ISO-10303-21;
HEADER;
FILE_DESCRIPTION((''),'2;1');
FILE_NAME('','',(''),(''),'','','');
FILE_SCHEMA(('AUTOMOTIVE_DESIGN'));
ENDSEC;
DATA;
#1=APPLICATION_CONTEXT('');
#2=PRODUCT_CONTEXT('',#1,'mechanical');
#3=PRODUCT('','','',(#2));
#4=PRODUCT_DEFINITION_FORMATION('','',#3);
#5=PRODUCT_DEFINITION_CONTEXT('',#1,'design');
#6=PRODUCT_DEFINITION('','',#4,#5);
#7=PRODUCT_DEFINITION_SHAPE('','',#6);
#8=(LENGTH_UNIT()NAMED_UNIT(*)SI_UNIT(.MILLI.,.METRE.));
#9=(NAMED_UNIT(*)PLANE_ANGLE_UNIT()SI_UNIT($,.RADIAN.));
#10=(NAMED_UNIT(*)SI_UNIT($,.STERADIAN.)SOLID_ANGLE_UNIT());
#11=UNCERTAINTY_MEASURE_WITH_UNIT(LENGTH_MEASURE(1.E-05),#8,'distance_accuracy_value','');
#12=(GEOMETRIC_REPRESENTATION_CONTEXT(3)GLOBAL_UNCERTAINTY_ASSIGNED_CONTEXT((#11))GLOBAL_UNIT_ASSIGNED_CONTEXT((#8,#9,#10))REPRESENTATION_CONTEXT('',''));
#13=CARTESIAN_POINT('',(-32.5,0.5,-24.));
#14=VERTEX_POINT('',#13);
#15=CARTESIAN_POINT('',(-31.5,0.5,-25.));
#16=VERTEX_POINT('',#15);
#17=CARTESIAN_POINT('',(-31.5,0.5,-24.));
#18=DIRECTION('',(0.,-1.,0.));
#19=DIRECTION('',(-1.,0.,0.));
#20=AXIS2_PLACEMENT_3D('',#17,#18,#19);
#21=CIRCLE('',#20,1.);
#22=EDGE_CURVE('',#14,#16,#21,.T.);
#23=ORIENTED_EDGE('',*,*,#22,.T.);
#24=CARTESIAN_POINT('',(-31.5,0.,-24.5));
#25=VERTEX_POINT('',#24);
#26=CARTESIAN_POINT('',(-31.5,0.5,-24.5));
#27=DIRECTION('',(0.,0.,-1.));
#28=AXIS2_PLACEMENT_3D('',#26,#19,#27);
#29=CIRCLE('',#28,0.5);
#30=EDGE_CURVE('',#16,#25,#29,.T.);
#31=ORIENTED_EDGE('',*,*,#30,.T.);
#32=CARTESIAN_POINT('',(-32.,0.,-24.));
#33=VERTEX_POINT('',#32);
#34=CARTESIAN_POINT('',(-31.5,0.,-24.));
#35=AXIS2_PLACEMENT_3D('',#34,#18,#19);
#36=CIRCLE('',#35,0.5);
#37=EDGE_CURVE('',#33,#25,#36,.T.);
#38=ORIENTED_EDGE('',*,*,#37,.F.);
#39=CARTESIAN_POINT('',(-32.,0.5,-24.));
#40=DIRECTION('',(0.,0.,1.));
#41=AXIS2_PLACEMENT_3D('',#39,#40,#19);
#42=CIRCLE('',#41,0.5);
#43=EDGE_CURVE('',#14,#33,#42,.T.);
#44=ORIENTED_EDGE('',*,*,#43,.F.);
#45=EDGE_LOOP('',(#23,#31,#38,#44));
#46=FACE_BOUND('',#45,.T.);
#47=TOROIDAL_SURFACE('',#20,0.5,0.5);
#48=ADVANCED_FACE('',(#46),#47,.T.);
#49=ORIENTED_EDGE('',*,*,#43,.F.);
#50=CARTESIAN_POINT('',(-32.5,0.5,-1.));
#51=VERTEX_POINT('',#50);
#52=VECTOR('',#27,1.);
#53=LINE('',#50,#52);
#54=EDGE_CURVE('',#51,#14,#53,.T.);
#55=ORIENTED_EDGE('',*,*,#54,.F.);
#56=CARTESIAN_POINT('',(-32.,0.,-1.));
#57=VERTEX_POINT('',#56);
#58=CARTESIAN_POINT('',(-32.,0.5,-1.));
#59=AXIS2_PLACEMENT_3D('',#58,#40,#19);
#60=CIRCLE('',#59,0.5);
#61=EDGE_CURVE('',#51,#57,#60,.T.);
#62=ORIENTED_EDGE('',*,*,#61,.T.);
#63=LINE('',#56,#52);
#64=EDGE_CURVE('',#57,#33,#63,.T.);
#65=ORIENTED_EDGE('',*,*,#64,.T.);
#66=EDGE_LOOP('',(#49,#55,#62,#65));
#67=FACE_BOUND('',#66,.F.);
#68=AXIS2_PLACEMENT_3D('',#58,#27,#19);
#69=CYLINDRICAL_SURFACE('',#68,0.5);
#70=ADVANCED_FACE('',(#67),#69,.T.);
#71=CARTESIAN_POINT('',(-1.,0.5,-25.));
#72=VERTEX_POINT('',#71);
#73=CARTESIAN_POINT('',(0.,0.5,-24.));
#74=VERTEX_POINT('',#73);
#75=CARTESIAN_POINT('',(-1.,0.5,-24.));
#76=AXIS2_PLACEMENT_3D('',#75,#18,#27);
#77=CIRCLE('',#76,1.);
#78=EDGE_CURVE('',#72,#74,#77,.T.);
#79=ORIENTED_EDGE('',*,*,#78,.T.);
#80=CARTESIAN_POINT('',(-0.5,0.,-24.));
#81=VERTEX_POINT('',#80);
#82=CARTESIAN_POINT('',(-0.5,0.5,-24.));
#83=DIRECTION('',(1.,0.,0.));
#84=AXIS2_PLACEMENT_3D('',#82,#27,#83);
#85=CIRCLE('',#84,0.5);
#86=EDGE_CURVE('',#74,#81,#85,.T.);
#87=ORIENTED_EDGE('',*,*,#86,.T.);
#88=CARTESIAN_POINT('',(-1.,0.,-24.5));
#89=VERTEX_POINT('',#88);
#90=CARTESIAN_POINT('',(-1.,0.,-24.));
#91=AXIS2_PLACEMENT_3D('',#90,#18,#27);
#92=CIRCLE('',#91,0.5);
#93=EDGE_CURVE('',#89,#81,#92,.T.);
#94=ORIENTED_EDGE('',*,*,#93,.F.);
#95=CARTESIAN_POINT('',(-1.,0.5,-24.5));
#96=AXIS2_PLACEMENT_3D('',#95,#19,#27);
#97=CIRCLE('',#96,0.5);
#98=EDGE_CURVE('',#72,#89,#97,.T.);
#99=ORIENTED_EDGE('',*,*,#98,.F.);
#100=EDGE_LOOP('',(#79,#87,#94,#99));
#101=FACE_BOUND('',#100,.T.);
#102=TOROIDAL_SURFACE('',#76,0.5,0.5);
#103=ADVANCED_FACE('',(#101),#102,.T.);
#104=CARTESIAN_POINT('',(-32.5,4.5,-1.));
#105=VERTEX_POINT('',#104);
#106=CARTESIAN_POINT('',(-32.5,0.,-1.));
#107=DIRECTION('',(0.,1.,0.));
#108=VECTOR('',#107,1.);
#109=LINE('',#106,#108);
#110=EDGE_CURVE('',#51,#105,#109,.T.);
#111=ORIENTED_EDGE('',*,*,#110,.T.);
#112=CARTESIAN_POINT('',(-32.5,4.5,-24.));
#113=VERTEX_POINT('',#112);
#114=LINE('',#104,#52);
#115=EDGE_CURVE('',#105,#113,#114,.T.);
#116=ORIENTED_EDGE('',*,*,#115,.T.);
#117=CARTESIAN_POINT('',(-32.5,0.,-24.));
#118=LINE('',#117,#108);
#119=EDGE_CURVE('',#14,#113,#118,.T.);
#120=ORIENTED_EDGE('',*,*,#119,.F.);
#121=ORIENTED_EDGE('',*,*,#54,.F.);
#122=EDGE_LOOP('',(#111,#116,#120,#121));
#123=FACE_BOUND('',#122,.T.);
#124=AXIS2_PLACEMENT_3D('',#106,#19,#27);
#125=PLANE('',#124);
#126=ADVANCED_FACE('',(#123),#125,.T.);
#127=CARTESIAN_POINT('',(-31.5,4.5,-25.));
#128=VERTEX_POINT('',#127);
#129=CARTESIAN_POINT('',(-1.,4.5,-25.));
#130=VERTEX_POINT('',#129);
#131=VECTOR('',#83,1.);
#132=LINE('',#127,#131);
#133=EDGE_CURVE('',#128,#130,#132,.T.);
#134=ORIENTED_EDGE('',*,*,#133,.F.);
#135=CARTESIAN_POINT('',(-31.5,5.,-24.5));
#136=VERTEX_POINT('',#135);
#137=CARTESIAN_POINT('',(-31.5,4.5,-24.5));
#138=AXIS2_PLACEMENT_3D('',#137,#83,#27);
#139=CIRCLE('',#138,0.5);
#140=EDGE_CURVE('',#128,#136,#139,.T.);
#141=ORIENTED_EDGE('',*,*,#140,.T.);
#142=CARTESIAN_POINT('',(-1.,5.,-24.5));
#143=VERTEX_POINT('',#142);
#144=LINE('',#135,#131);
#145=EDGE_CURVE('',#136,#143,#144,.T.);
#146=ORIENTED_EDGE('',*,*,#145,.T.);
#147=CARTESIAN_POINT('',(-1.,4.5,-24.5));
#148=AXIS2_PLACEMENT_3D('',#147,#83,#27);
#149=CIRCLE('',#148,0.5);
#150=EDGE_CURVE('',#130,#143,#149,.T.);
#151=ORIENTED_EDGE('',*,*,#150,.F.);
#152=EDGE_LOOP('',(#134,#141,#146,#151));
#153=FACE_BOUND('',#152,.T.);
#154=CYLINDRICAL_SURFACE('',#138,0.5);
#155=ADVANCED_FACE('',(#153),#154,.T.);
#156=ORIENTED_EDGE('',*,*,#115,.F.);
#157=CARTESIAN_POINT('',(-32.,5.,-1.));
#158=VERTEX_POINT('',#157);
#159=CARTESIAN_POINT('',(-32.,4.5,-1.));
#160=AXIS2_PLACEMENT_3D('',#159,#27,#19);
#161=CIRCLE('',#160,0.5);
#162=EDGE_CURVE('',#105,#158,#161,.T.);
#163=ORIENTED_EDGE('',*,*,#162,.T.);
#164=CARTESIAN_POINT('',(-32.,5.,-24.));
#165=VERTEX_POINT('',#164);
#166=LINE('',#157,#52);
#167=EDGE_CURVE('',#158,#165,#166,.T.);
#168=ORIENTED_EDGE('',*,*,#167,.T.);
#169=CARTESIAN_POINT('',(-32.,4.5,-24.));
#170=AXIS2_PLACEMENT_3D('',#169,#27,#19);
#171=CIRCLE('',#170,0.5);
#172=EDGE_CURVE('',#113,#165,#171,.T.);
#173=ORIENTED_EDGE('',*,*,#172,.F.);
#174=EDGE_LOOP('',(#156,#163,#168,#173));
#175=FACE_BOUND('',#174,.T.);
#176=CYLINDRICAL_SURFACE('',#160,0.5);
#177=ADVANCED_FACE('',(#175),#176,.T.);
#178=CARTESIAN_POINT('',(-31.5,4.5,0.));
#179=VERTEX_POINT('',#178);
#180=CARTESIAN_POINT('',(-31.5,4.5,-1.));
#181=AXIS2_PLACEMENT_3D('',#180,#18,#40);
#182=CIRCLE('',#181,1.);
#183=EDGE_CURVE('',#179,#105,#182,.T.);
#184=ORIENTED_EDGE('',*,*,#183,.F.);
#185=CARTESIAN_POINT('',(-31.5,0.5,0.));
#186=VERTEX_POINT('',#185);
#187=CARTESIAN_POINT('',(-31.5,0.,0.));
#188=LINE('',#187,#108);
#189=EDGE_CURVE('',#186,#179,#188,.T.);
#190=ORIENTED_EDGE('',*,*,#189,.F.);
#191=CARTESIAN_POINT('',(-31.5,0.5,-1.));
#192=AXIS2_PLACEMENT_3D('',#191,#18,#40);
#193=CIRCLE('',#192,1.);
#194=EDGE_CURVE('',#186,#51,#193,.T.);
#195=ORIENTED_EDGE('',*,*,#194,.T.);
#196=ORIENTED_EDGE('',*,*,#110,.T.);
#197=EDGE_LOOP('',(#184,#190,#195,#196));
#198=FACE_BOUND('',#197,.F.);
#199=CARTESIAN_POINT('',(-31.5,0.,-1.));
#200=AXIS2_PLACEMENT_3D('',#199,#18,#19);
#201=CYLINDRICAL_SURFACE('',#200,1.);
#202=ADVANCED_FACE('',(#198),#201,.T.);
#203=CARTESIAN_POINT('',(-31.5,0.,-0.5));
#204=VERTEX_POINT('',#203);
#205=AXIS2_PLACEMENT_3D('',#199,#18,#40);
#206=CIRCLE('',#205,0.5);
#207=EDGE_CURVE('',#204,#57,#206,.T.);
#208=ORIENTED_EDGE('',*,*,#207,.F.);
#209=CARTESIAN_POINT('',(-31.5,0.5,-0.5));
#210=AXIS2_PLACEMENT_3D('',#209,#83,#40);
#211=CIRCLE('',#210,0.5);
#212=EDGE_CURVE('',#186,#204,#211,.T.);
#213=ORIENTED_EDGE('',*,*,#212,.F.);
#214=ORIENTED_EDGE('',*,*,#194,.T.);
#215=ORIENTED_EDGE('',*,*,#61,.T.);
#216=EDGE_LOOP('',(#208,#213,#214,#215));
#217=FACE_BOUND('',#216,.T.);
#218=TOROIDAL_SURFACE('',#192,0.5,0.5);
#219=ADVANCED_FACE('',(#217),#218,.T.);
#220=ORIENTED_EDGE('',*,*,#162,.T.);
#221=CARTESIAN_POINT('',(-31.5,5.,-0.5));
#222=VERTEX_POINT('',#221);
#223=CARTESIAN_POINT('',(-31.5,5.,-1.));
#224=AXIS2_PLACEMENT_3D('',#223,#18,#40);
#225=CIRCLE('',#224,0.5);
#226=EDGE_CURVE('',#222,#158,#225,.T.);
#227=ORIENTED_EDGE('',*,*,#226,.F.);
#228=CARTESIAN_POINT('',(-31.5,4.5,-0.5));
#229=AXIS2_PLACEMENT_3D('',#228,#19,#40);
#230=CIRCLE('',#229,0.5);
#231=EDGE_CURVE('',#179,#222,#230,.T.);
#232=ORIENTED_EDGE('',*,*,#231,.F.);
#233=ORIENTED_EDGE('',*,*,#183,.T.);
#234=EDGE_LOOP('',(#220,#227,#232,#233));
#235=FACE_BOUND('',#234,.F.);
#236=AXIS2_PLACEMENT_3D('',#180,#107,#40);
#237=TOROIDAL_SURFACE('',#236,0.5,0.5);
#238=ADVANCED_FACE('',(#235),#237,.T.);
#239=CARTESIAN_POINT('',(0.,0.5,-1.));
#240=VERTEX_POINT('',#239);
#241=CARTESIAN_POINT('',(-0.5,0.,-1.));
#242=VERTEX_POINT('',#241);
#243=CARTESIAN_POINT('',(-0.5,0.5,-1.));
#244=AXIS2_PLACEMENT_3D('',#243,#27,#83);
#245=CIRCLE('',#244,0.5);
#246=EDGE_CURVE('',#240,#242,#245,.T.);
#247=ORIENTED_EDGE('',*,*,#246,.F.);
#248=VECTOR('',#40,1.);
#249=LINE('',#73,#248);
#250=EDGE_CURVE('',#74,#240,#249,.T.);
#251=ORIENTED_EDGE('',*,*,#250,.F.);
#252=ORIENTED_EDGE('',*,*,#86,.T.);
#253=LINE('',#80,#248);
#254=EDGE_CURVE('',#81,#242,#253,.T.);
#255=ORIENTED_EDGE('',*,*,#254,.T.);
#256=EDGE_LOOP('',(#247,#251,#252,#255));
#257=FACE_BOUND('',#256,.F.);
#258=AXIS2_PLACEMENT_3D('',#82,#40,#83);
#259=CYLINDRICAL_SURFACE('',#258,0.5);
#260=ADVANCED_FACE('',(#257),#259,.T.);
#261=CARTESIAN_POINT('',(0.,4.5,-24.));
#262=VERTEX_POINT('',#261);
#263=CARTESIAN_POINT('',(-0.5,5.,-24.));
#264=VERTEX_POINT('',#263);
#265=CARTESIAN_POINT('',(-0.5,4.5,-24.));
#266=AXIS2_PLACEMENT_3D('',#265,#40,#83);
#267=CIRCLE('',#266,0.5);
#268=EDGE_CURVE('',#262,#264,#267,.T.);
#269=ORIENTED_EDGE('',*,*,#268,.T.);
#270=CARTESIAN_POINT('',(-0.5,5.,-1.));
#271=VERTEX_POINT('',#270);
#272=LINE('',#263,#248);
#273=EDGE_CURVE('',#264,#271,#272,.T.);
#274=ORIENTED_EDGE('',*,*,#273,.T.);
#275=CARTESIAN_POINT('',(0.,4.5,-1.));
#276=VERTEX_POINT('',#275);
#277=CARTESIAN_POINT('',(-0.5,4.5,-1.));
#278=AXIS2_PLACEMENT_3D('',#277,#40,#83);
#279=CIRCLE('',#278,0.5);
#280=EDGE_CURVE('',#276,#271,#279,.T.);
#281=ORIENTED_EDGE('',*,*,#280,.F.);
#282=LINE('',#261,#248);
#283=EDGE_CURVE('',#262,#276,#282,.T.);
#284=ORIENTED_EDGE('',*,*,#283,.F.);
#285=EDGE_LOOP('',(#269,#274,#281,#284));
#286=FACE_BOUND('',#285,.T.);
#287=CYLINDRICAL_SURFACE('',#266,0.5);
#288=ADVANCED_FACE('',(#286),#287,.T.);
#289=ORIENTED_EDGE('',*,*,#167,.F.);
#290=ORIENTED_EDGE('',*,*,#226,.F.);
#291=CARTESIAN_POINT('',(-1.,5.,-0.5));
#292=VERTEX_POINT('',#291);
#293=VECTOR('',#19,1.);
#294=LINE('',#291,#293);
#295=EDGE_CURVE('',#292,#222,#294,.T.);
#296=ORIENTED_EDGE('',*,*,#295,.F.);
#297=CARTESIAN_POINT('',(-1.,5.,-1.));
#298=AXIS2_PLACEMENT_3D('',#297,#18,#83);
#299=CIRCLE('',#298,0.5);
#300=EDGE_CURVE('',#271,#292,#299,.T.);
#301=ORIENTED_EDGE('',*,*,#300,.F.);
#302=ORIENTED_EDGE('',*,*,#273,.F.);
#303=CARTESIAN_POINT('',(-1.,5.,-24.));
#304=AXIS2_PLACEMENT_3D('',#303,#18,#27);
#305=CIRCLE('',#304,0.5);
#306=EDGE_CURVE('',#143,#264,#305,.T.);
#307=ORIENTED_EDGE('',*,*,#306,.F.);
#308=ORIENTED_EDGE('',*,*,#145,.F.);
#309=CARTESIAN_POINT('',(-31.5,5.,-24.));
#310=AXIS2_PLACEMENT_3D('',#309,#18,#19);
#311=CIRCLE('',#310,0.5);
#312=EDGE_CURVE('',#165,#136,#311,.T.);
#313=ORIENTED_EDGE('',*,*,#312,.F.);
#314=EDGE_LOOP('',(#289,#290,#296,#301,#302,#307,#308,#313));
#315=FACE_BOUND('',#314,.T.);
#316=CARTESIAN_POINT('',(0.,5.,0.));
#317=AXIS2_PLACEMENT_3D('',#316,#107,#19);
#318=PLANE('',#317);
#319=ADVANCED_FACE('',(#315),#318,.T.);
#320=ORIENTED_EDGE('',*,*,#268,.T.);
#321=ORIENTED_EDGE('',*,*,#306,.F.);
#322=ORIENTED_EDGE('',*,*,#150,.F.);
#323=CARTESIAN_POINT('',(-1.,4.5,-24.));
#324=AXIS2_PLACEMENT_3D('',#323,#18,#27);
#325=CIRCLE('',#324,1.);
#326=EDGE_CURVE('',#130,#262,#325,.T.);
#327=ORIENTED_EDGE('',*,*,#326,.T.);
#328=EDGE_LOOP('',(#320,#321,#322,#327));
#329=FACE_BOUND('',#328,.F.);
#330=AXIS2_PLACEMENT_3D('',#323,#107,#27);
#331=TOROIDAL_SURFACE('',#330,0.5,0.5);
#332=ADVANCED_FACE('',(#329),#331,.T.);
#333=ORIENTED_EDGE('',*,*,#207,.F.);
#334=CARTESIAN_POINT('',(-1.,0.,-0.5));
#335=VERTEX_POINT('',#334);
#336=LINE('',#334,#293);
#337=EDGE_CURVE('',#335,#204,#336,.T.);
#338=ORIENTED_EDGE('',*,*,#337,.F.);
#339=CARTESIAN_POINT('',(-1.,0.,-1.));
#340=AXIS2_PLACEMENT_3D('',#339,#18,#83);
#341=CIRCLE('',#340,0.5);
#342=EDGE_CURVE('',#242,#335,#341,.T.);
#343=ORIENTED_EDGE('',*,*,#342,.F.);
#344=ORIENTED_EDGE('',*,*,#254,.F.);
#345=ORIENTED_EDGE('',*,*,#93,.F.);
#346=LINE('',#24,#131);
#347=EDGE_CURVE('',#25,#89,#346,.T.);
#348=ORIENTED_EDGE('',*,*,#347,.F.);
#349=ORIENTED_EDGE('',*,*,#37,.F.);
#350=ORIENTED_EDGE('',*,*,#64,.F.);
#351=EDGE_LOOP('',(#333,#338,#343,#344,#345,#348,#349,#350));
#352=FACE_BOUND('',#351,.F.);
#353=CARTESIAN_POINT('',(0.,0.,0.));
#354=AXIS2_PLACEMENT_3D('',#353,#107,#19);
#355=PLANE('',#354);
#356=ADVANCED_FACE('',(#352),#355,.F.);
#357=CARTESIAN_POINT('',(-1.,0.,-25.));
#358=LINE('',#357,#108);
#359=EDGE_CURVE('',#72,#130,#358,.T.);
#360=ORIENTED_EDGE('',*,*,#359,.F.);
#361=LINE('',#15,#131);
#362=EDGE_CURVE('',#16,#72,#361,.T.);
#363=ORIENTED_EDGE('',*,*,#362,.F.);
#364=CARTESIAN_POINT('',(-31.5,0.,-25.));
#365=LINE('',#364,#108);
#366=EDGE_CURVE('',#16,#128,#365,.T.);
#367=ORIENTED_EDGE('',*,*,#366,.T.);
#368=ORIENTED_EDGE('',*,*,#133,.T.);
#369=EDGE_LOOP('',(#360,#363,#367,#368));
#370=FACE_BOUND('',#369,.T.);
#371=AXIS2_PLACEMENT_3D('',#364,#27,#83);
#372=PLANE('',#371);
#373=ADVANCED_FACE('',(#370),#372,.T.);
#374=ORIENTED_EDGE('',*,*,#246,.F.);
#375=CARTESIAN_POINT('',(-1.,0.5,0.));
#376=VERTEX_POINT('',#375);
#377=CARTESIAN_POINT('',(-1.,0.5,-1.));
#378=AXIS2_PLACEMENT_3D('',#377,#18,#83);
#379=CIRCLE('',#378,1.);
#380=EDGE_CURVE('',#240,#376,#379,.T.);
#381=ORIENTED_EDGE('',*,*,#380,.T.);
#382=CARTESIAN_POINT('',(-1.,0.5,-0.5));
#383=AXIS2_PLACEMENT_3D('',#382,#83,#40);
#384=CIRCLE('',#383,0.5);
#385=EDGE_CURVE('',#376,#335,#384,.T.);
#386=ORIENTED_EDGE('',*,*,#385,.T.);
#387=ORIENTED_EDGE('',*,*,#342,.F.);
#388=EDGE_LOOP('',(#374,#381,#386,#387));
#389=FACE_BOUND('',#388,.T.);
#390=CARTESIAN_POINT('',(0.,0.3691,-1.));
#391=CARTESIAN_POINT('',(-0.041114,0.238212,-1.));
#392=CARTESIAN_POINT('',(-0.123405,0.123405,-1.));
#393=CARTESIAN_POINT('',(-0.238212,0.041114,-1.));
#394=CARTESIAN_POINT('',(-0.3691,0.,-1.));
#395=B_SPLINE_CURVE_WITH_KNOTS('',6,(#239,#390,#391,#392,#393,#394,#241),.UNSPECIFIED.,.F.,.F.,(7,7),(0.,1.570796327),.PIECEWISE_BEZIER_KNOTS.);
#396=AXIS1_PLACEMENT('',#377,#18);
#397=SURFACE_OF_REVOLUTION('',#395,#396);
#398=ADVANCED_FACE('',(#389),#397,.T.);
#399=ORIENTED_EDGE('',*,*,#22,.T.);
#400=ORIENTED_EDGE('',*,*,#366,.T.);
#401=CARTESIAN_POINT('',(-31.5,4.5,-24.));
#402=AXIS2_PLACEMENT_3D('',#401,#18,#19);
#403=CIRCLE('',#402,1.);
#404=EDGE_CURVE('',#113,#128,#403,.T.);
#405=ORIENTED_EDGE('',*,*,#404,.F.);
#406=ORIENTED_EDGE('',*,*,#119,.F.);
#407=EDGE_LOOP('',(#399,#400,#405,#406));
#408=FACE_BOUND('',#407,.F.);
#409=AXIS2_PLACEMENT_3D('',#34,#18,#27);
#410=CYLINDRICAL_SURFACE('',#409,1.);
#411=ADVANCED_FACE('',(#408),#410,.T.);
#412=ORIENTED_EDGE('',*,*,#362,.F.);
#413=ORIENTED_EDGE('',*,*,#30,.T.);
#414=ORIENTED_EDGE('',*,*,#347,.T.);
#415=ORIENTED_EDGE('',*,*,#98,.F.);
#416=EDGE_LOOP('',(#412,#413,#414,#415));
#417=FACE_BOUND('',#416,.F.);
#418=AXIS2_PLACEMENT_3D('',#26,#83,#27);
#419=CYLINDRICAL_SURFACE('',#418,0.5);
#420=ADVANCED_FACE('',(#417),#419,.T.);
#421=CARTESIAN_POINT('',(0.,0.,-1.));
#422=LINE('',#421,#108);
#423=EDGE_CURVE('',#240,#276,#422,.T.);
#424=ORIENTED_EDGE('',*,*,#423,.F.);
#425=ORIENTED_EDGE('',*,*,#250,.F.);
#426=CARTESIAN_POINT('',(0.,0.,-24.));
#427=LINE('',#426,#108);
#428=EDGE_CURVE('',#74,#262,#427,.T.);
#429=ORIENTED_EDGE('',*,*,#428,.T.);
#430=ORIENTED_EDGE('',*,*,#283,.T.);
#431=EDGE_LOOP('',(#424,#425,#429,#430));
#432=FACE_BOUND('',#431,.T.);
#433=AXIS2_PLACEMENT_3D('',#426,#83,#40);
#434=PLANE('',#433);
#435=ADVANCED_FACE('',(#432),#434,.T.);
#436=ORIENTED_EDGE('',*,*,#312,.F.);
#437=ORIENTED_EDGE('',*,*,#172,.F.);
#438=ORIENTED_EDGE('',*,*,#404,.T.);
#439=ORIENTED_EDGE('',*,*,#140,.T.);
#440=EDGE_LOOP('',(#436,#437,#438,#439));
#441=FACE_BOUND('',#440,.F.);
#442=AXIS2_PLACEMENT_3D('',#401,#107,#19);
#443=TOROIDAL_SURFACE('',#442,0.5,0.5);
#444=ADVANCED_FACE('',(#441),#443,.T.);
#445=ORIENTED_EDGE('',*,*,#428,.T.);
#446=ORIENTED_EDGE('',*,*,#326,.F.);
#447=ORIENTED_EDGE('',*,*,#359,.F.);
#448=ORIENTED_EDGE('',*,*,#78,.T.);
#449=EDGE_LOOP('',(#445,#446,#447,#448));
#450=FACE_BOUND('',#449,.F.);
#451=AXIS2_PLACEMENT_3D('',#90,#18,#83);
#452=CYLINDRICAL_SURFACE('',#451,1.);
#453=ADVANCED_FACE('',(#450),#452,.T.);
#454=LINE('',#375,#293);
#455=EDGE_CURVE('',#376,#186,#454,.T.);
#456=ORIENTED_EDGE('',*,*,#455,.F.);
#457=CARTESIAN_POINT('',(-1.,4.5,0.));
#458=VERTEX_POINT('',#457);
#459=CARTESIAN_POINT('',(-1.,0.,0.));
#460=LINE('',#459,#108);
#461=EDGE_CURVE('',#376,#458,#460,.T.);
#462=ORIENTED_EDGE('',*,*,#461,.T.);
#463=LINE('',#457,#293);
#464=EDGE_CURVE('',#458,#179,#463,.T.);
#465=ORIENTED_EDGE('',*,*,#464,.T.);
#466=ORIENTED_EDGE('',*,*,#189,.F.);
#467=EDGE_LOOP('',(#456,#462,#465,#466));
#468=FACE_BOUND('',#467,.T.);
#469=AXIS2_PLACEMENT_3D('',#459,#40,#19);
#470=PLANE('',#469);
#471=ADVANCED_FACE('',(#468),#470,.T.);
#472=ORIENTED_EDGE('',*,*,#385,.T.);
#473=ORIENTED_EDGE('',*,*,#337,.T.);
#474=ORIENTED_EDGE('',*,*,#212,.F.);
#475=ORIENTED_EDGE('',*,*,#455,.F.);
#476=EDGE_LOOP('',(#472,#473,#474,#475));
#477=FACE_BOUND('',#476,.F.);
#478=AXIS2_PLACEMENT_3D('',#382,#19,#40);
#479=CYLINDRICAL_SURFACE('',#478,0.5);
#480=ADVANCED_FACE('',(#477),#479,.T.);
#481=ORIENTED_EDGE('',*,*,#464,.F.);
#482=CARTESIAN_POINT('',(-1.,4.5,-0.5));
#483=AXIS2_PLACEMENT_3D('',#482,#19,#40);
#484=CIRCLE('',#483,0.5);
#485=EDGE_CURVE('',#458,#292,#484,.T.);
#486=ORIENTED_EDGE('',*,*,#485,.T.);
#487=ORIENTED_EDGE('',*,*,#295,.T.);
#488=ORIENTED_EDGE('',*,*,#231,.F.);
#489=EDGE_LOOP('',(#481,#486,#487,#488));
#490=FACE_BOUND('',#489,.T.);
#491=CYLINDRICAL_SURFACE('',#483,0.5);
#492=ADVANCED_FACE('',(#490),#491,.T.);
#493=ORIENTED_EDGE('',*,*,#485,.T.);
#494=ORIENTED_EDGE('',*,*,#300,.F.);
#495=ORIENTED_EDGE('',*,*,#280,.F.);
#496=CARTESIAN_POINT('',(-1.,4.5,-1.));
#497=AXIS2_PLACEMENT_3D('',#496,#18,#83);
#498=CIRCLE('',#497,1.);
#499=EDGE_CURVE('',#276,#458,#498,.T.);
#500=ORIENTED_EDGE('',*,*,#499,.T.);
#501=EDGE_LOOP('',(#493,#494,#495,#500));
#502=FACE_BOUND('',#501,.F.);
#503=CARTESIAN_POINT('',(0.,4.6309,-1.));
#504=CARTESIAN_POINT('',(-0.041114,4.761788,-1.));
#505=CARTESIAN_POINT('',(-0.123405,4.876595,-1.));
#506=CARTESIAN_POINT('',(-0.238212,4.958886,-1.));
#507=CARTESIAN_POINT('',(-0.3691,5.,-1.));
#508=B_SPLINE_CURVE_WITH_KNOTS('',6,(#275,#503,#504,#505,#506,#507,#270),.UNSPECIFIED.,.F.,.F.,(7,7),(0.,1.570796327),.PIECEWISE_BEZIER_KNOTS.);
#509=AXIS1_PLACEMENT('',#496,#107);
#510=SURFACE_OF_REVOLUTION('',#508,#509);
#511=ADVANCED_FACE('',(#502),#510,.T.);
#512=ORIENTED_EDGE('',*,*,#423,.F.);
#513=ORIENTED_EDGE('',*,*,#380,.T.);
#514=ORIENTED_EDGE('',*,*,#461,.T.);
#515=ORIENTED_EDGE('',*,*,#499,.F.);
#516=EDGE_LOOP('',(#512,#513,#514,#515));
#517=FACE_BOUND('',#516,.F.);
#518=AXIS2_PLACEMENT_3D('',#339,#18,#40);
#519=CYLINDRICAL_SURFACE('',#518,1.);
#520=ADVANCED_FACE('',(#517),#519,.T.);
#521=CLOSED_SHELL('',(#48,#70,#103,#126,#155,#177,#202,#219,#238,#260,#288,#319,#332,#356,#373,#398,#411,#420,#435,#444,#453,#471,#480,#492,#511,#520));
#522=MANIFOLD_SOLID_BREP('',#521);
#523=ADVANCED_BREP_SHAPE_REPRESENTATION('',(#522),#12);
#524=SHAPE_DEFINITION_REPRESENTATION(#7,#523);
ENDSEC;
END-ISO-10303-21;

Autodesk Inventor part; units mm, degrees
ref_plane "YZ Plane" through (0, 0, 0) normal (1, 0, 0) x (0, 1, 0)
ref_plane "XZ Plane" through (0, 0, 0) normal (0, 1, 0) x (-1, 0, 0)
ref_plane "XY Plane" through (0, 0, 0) normal (0, 0, 1) x (1, 0, 0)
sketch "Sketch1" plane through (0, 0, 0) normal (0, 1, 0) x (-1, 0, 0)
  line L0 (1, 0) -> (31.5, 0)
  line L1 (32.5, -1) -> (32.5, -24)
  line L2 (31.5, -25) -> (1, -25)
  line L3 (0, -24) -> (0, -1)
  arc A0 (32.5, -1) -> (31.5, 0) centre (31.5, -1) ccw
  arc A1 (31.5, -25) -> (32.5, -24) centre (31.5, -24) ccw
  arc A2 (1, 0) -> (0, -1) centre (1, -1) ccw
  arc A3 (0, -24) -> (1, -25) centre (1, -24) ccw
  point P0 (0, 0)
  point P1 (32.5, -25)
  point P2 (32.5, 0)
  point P3 (0, -25)
  dimension "d0" = 32.5
  dimension "d1" = 25
  dimension "d2" = 1
extrude "Extrusion1" add sketch "Sketch1" along normal blind 5
fillet "Fillet1" radius 0.5 16 edges at (-16.25, 0, -25) (-32.2071, 0, -24.7071) (-32.5, 0, -12.5) (-32.2071, 0, -0.2929) (-16.25, 0, 0) (-0.2929, 0, -0.2929) (0, 0, -12.5) (-0.2929, 0, -24.7071) (-16.25, 5, -25) (-32.2071, 5, -24.7071) (-32.5, 5, -12.5) (-32.2071, 5, -0.2929) (-16.25, 5, 0) (-0.2929, 5, -0.2929) (0, 5, -12.5) (-0.2929, 5, -24.7071)
properties part number "battery_surrogate"
